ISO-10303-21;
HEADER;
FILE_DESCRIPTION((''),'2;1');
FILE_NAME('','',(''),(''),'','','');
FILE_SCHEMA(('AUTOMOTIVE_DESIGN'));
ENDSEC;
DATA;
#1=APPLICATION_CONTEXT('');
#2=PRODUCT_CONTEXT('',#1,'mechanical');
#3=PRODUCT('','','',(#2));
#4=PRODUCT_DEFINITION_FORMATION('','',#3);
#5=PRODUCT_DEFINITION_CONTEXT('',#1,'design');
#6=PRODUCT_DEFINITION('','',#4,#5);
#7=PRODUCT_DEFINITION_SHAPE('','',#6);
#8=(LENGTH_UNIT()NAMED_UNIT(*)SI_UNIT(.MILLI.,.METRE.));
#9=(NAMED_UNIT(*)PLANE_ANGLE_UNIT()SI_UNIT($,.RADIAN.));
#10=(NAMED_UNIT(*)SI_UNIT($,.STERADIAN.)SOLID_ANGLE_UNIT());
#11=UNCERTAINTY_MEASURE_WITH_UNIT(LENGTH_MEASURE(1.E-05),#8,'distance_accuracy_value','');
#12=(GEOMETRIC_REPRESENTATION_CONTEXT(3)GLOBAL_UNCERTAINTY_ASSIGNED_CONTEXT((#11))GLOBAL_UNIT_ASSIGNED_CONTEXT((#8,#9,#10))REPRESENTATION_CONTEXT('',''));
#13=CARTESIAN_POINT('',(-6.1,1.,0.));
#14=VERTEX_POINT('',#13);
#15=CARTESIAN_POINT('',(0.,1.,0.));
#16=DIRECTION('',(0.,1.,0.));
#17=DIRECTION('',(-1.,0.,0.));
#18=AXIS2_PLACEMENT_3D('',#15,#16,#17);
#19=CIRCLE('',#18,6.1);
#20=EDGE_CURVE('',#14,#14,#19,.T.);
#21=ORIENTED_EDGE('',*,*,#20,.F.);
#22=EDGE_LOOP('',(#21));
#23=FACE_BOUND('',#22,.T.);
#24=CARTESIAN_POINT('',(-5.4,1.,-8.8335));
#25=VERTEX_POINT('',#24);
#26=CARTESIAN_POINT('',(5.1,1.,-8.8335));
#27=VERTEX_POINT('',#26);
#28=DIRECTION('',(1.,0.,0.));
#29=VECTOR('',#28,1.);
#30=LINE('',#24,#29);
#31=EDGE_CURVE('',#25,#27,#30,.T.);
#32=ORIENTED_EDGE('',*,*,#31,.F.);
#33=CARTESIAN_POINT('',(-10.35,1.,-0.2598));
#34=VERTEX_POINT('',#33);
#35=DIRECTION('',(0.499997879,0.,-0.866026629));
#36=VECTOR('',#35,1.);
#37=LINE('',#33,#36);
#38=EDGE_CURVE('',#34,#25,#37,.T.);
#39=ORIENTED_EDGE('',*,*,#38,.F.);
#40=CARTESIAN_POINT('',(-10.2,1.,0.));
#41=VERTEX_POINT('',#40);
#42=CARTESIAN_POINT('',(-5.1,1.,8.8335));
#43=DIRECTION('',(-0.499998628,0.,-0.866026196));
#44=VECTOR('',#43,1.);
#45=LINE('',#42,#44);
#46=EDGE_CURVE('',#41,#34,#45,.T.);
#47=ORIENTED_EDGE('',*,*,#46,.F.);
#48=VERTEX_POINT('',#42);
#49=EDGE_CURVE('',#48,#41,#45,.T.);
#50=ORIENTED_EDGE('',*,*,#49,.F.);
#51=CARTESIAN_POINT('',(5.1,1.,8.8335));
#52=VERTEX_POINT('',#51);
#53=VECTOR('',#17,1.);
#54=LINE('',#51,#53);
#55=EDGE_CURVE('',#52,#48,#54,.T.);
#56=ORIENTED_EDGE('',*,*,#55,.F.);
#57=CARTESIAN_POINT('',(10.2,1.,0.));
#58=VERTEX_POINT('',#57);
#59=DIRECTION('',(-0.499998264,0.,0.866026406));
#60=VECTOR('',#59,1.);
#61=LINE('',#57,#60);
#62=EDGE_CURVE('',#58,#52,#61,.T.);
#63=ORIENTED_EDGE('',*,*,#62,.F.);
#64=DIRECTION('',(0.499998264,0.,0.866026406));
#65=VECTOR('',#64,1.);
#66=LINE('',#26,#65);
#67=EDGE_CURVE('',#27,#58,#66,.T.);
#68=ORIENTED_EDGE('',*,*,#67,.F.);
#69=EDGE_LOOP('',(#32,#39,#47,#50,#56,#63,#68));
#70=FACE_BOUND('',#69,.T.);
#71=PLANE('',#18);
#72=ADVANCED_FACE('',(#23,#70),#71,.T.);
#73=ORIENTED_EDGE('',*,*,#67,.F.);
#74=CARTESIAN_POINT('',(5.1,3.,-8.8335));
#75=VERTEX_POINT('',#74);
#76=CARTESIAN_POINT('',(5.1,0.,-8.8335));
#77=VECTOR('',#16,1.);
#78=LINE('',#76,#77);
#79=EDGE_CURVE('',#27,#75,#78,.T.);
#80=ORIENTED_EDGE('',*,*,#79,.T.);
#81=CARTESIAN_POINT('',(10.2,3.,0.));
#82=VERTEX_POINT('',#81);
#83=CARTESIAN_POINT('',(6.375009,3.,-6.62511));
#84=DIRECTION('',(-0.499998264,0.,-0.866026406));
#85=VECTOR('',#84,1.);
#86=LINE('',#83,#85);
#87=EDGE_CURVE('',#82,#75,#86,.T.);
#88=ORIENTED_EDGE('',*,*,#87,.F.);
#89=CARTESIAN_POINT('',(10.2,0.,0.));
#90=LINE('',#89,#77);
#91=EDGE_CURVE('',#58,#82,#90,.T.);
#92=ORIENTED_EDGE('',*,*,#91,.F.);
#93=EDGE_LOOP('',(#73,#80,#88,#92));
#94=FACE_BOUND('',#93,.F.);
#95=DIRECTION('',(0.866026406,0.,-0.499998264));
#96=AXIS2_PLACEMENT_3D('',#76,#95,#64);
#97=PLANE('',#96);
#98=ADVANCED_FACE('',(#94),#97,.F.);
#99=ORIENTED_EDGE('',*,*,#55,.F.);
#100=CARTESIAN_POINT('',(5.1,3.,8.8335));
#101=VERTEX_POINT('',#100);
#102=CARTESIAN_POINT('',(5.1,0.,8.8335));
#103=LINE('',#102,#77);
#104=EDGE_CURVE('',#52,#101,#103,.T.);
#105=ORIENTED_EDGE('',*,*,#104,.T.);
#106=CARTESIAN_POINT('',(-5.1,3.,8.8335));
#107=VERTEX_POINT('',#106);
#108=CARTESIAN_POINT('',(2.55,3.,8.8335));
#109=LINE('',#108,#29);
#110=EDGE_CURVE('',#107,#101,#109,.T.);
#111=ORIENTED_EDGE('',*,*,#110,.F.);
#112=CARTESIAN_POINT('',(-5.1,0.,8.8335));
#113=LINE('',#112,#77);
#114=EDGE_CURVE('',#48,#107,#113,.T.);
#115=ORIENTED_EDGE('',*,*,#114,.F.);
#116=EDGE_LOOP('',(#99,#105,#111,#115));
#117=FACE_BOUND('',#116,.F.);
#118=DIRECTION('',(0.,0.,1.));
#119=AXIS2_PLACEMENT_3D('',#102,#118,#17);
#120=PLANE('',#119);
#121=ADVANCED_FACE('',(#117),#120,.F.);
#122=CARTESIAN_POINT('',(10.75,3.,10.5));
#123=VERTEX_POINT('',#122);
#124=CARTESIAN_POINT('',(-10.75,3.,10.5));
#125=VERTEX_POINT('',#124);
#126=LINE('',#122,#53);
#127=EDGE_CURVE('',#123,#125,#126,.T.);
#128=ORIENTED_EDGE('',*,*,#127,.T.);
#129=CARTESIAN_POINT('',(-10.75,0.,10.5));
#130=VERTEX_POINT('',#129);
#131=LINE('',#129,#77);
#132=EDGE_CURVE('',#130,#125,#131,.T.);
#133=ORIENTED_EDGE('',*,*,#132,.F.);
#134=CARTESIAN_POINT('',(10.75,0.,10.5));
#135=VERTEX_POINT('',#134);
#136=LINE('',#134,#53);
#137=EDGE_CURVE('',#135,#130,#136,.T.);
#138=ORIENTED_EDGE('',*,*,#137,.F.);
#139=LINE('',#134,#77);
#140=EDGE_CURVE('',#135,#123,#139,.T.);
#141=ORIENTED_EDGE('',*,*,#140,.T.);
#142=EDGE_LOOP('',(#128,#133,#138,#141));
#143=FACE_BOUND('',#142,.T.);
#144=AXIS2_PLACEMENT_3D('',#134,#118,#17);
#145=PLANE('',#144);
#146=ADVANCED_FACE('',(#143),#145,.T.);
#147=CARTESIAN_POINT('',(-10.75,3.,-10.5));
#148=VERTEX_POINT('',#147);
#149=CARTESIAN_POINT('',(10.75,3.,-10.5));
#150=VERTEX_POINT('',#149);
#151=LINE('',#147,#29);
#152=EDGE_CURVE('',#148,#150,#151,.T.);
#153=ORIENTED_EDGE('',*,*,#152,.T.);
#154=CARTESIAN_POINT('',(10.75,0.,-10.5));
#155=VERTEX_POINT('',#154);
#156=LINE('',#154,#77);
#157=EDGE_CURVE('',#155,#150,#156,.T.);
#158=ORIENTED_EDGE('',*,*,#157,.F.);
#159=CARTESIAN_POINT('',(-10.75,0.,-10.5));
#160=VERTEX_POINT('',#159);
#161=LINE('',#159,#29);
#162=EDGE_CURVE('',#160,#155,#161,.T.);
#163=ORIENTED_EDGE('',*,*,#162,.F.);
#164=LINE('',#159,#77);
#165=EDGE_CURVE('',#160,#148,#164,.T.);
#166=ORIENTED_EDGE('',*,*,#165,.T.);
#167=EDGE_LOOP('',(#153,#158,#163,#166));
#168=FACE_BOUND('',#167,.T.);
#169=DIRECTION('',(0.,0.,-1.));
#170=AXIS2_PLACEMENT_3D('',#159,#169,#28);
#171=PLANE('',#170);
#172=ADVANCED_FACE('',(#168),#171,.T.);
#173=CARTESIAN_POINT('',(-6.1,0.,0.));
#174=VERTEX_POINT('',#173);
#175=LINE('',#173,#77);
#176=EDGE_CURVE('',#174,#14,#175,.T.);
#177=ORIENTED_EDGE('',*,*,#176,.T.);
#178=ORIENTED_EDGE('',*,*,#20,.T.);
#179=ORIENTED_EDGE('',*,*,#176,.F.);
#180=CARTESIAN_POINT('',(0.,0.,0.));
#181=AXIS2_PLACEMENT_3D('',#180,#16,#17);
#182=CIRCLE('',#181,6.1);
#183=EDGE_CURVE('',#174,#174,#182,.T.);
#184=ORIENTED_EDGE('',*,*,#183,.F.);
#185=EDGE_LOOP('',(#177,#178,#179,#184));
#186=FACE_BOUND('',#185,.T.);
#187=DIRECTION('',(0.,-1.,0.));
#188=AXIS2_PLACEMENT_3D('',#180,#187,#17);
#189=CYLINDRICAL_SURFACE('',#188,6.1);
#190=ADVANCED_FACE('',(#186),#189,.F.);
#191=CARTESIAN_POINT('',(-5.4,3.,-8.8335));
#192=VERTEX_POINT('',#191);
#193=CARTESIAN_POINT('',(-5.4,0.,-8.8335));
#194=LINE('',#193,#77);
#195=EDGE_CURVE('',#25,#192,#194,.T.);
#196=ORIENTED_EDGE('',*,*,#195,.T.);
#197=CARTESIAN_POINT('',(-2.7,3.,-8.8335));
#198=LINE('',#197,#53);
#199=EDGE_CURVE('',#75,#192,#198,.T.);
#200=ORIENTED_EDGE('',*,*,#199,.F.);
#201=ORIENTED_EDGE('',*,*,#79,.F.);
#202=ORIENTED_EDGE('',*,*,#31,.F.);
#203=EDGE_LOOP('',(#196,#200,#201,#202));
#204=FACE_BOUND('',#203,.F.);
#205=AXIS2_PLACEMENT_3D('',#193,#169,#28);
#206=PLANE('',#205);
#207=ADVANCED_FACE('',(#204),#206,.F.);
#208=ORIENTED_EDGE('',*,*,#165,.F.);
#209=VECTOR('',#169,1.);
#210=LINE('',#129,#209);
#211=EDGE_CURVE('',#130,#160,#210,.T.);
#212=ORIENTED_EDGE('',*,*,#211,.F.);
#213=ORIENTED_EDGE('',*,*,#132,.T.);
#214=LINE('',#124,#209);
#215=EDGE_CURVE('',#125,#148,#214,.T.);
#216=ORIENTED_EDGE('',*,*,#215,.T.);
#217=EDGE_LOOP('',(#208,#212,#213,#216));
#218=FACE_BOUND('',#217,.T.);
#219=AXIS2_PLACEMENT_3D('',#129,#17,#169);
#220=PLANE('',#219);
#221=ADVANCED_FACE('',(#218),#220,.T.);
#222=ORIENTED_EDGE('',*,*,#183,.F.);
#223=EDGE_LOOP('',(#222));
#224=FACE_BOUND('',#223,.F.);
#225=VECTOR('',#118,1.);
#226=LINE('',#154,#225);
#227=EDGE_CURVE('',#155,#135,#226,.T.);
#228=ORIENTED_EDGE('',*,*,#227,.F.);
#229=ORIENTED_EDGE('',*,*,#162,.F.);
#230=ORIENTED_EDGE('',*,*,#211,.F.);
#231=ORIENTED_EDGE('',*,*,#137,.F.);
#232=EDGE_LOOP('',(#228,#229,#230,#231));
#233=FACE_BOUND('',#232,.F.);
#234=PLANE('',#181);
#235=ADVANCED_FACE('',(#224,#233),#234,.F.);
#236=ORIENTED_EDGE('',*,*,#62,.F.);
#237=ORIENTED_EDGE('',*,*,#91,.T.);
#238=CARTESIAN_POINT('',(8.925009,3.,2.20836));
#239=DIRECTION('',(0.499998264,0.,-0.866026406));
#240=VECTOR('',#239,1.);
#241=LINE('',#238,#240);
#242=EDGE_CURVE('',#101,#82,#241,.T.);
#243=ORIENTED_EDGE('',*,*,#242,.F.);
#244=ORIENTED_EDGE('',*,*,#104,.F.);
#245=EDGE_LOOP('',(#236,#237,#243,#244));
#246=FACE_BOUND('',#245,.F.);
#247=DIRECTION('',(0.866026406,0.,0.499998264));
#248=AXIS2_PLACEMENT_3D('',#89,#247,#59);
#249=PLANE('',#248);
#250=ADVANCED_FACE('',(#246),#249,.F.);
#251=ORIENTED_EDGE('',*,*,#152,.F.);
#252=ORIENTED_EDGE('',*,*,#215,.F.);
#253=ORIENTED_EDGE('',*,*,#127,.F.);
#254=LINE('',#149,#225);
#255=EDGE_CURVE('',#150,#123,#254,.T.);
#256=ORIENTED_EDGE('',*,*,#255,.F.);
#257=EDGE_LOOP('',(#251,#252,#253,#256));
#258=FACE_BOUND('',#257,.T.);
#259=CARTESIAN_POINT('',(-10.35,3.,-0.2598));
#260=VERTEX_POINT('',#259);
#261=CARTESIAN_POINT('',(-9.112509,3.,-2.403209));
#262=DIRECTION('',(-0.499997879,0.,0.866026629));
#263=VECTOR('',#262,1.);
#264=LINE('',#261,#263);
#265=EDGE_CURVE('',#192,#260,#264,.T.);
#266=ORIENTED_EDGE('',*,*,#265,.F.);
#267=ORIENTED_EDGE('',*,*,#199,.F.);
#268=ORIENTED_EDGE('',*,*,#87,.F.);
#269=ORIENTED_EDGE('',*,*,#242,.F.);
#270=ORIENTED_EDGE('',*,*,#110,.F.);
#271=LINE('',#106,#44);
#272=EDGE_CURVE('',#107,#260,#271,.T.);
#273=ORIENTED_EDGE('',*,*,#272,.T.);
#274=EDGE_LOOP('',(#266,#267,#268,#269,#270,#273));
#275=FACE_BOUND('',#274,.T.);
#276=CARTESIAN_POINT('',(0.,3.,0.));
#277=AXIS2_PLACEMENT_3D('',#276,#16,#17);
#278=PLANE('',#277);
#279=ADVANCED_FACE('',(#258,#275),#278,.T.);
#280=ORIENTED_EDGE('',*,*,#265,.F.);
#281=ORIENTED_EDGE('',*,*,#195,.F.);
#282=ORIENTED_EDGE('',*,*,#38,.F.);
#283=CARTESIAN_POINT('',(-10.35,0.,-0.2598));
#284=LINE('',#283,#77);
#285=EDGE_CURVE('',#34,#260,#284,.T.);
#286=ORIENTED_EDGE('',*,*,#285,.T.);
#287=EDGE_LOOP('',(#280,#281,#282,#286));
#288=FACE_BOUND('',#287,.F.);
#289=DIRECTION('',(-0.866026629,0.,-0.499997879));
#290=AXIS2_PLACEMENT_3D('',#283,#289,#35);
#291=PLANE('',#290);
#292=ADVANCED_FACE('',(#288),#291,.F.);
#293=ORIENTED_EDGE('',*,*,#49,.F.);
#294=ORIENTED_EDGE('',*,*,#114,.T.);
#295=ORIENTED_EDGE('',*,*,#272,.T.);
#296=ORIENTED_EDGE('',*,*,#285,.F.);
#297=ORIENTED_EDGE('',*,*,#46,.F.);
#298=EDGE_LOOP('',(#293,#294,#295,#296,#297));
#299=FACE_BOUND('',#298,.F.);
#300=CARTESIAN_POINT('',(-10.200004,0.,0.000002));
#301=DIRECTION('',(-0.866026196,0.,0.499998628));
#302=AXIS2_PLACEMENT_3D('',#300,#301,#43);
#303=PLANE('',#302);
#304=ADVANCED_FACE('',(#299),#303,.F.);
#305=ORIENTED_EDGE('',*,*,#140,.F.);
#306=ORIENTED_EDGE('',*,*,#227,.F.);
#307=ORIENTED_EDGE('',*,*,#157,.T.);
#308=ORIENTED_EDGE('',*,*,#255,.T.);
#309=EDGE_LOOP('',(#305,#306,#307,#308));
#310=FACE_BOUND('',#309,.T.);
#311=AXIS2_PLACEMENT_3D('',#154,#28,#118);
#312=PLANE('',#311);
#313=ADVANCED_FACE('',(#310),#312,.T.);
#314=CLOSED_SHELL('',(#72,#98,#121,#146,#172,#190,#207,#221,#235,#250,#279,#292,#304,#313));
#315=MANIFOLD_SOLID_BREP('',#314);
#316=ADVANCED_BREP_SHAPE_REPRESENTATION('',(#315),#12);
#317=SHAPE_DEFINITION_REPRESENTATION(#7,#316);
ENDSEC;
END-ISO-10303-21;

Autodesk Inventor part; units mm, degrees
ref_plane "YZ Plane" through (0, 0, 0) normal (1, 0, 0) x (0, 1, 0)
ref_plane "XZ Plane" through (0, 0, 0) normal (0, 1, 0) x (-1, 0, 0)
ref_plane "XY Plane" through (0, 0, 0) normal (0, 0, 1) x (1, 0, 0)
sketch "Sketch1" plane through (0, 0, 0) normal (0, 1, 0) x (-1, 0, 0)
  line L0 (-10.75, 10.5) -> (10.75, 10.5)
  line L1 (10.75, 10.5) -> (10.75, -10.5)
  line L2 (10.75, -10.5) -> (-10.75, -10.5)
  line L3 (-10.75, -10.5) -> (-10.75, 10.5)
  line L4 (-10.75, 10.5) -> (10.75, -10.5) construction
  line L5 (10.75, 10.5) -> (-10.75, -10.5) construction
  circle A0 centre (0, 0) radius 6.1
  line L6 (0, 0) -> (9, 0) construction
  line L7 (0, 0) -> (9, 0) construction
  line L8 (0, 0) -> (10.2, 0) construction
  line L9 (0, 0) -> (9, 0) construction
  line L10 (0, 0) -> (10.2, 0)
  line L11 (0, 0) -> (5.1, 8.8335) construction
  line L12 (0, 0) -> (-5.1, 8.8335) construction
  line L13 (0, 0) -> (-10.2, 0) construction
  line L14 (0, 0) -> (-5.1, -8.8335) construction
  line L15 (0, 0) -> (5.1, -8.8335) construction
  line L16 (10.35, -0.2598) -> (5.4, -8.8335)
  line L17 (5.4, -8.8335) -> (-5.1, -8.8335)
  line L18 (-5.1, -8.8335) -> (-10.2, 0)
  line L19 (-10.2, 0) -> (-5.1, 8.8335)
  line L20 (-5.1, 8.8335) -> (5.1, 8.8335)
  line L21 (5.1, 8.8335) -> (10.35, -0.2598)
  dimension "d0" = 21.5
  dimension "d1" = 21
  dimension "d2" = 12.2
  dimension "d28" = 10.2
  dimension "d31" = 360
extrude "Extrusion1" add sketch "Sketch1" along normal blind 3 contours L0 L1 L2 L3 | A0 | L21 L16 L17 L18 L19 L20
extrude "Extrusion6" cut sketch "Sketch1" along normal blind 12.2 contours A0 | L21 L16 L17 L18 L19 L20
extrude "Extrusion7" add sketch "Sketch1" along normal blind 1 contours L21 L16 L17 L18 L19 L20
equation "\"d33\" = d2"
properties part number "ScrewTest"
